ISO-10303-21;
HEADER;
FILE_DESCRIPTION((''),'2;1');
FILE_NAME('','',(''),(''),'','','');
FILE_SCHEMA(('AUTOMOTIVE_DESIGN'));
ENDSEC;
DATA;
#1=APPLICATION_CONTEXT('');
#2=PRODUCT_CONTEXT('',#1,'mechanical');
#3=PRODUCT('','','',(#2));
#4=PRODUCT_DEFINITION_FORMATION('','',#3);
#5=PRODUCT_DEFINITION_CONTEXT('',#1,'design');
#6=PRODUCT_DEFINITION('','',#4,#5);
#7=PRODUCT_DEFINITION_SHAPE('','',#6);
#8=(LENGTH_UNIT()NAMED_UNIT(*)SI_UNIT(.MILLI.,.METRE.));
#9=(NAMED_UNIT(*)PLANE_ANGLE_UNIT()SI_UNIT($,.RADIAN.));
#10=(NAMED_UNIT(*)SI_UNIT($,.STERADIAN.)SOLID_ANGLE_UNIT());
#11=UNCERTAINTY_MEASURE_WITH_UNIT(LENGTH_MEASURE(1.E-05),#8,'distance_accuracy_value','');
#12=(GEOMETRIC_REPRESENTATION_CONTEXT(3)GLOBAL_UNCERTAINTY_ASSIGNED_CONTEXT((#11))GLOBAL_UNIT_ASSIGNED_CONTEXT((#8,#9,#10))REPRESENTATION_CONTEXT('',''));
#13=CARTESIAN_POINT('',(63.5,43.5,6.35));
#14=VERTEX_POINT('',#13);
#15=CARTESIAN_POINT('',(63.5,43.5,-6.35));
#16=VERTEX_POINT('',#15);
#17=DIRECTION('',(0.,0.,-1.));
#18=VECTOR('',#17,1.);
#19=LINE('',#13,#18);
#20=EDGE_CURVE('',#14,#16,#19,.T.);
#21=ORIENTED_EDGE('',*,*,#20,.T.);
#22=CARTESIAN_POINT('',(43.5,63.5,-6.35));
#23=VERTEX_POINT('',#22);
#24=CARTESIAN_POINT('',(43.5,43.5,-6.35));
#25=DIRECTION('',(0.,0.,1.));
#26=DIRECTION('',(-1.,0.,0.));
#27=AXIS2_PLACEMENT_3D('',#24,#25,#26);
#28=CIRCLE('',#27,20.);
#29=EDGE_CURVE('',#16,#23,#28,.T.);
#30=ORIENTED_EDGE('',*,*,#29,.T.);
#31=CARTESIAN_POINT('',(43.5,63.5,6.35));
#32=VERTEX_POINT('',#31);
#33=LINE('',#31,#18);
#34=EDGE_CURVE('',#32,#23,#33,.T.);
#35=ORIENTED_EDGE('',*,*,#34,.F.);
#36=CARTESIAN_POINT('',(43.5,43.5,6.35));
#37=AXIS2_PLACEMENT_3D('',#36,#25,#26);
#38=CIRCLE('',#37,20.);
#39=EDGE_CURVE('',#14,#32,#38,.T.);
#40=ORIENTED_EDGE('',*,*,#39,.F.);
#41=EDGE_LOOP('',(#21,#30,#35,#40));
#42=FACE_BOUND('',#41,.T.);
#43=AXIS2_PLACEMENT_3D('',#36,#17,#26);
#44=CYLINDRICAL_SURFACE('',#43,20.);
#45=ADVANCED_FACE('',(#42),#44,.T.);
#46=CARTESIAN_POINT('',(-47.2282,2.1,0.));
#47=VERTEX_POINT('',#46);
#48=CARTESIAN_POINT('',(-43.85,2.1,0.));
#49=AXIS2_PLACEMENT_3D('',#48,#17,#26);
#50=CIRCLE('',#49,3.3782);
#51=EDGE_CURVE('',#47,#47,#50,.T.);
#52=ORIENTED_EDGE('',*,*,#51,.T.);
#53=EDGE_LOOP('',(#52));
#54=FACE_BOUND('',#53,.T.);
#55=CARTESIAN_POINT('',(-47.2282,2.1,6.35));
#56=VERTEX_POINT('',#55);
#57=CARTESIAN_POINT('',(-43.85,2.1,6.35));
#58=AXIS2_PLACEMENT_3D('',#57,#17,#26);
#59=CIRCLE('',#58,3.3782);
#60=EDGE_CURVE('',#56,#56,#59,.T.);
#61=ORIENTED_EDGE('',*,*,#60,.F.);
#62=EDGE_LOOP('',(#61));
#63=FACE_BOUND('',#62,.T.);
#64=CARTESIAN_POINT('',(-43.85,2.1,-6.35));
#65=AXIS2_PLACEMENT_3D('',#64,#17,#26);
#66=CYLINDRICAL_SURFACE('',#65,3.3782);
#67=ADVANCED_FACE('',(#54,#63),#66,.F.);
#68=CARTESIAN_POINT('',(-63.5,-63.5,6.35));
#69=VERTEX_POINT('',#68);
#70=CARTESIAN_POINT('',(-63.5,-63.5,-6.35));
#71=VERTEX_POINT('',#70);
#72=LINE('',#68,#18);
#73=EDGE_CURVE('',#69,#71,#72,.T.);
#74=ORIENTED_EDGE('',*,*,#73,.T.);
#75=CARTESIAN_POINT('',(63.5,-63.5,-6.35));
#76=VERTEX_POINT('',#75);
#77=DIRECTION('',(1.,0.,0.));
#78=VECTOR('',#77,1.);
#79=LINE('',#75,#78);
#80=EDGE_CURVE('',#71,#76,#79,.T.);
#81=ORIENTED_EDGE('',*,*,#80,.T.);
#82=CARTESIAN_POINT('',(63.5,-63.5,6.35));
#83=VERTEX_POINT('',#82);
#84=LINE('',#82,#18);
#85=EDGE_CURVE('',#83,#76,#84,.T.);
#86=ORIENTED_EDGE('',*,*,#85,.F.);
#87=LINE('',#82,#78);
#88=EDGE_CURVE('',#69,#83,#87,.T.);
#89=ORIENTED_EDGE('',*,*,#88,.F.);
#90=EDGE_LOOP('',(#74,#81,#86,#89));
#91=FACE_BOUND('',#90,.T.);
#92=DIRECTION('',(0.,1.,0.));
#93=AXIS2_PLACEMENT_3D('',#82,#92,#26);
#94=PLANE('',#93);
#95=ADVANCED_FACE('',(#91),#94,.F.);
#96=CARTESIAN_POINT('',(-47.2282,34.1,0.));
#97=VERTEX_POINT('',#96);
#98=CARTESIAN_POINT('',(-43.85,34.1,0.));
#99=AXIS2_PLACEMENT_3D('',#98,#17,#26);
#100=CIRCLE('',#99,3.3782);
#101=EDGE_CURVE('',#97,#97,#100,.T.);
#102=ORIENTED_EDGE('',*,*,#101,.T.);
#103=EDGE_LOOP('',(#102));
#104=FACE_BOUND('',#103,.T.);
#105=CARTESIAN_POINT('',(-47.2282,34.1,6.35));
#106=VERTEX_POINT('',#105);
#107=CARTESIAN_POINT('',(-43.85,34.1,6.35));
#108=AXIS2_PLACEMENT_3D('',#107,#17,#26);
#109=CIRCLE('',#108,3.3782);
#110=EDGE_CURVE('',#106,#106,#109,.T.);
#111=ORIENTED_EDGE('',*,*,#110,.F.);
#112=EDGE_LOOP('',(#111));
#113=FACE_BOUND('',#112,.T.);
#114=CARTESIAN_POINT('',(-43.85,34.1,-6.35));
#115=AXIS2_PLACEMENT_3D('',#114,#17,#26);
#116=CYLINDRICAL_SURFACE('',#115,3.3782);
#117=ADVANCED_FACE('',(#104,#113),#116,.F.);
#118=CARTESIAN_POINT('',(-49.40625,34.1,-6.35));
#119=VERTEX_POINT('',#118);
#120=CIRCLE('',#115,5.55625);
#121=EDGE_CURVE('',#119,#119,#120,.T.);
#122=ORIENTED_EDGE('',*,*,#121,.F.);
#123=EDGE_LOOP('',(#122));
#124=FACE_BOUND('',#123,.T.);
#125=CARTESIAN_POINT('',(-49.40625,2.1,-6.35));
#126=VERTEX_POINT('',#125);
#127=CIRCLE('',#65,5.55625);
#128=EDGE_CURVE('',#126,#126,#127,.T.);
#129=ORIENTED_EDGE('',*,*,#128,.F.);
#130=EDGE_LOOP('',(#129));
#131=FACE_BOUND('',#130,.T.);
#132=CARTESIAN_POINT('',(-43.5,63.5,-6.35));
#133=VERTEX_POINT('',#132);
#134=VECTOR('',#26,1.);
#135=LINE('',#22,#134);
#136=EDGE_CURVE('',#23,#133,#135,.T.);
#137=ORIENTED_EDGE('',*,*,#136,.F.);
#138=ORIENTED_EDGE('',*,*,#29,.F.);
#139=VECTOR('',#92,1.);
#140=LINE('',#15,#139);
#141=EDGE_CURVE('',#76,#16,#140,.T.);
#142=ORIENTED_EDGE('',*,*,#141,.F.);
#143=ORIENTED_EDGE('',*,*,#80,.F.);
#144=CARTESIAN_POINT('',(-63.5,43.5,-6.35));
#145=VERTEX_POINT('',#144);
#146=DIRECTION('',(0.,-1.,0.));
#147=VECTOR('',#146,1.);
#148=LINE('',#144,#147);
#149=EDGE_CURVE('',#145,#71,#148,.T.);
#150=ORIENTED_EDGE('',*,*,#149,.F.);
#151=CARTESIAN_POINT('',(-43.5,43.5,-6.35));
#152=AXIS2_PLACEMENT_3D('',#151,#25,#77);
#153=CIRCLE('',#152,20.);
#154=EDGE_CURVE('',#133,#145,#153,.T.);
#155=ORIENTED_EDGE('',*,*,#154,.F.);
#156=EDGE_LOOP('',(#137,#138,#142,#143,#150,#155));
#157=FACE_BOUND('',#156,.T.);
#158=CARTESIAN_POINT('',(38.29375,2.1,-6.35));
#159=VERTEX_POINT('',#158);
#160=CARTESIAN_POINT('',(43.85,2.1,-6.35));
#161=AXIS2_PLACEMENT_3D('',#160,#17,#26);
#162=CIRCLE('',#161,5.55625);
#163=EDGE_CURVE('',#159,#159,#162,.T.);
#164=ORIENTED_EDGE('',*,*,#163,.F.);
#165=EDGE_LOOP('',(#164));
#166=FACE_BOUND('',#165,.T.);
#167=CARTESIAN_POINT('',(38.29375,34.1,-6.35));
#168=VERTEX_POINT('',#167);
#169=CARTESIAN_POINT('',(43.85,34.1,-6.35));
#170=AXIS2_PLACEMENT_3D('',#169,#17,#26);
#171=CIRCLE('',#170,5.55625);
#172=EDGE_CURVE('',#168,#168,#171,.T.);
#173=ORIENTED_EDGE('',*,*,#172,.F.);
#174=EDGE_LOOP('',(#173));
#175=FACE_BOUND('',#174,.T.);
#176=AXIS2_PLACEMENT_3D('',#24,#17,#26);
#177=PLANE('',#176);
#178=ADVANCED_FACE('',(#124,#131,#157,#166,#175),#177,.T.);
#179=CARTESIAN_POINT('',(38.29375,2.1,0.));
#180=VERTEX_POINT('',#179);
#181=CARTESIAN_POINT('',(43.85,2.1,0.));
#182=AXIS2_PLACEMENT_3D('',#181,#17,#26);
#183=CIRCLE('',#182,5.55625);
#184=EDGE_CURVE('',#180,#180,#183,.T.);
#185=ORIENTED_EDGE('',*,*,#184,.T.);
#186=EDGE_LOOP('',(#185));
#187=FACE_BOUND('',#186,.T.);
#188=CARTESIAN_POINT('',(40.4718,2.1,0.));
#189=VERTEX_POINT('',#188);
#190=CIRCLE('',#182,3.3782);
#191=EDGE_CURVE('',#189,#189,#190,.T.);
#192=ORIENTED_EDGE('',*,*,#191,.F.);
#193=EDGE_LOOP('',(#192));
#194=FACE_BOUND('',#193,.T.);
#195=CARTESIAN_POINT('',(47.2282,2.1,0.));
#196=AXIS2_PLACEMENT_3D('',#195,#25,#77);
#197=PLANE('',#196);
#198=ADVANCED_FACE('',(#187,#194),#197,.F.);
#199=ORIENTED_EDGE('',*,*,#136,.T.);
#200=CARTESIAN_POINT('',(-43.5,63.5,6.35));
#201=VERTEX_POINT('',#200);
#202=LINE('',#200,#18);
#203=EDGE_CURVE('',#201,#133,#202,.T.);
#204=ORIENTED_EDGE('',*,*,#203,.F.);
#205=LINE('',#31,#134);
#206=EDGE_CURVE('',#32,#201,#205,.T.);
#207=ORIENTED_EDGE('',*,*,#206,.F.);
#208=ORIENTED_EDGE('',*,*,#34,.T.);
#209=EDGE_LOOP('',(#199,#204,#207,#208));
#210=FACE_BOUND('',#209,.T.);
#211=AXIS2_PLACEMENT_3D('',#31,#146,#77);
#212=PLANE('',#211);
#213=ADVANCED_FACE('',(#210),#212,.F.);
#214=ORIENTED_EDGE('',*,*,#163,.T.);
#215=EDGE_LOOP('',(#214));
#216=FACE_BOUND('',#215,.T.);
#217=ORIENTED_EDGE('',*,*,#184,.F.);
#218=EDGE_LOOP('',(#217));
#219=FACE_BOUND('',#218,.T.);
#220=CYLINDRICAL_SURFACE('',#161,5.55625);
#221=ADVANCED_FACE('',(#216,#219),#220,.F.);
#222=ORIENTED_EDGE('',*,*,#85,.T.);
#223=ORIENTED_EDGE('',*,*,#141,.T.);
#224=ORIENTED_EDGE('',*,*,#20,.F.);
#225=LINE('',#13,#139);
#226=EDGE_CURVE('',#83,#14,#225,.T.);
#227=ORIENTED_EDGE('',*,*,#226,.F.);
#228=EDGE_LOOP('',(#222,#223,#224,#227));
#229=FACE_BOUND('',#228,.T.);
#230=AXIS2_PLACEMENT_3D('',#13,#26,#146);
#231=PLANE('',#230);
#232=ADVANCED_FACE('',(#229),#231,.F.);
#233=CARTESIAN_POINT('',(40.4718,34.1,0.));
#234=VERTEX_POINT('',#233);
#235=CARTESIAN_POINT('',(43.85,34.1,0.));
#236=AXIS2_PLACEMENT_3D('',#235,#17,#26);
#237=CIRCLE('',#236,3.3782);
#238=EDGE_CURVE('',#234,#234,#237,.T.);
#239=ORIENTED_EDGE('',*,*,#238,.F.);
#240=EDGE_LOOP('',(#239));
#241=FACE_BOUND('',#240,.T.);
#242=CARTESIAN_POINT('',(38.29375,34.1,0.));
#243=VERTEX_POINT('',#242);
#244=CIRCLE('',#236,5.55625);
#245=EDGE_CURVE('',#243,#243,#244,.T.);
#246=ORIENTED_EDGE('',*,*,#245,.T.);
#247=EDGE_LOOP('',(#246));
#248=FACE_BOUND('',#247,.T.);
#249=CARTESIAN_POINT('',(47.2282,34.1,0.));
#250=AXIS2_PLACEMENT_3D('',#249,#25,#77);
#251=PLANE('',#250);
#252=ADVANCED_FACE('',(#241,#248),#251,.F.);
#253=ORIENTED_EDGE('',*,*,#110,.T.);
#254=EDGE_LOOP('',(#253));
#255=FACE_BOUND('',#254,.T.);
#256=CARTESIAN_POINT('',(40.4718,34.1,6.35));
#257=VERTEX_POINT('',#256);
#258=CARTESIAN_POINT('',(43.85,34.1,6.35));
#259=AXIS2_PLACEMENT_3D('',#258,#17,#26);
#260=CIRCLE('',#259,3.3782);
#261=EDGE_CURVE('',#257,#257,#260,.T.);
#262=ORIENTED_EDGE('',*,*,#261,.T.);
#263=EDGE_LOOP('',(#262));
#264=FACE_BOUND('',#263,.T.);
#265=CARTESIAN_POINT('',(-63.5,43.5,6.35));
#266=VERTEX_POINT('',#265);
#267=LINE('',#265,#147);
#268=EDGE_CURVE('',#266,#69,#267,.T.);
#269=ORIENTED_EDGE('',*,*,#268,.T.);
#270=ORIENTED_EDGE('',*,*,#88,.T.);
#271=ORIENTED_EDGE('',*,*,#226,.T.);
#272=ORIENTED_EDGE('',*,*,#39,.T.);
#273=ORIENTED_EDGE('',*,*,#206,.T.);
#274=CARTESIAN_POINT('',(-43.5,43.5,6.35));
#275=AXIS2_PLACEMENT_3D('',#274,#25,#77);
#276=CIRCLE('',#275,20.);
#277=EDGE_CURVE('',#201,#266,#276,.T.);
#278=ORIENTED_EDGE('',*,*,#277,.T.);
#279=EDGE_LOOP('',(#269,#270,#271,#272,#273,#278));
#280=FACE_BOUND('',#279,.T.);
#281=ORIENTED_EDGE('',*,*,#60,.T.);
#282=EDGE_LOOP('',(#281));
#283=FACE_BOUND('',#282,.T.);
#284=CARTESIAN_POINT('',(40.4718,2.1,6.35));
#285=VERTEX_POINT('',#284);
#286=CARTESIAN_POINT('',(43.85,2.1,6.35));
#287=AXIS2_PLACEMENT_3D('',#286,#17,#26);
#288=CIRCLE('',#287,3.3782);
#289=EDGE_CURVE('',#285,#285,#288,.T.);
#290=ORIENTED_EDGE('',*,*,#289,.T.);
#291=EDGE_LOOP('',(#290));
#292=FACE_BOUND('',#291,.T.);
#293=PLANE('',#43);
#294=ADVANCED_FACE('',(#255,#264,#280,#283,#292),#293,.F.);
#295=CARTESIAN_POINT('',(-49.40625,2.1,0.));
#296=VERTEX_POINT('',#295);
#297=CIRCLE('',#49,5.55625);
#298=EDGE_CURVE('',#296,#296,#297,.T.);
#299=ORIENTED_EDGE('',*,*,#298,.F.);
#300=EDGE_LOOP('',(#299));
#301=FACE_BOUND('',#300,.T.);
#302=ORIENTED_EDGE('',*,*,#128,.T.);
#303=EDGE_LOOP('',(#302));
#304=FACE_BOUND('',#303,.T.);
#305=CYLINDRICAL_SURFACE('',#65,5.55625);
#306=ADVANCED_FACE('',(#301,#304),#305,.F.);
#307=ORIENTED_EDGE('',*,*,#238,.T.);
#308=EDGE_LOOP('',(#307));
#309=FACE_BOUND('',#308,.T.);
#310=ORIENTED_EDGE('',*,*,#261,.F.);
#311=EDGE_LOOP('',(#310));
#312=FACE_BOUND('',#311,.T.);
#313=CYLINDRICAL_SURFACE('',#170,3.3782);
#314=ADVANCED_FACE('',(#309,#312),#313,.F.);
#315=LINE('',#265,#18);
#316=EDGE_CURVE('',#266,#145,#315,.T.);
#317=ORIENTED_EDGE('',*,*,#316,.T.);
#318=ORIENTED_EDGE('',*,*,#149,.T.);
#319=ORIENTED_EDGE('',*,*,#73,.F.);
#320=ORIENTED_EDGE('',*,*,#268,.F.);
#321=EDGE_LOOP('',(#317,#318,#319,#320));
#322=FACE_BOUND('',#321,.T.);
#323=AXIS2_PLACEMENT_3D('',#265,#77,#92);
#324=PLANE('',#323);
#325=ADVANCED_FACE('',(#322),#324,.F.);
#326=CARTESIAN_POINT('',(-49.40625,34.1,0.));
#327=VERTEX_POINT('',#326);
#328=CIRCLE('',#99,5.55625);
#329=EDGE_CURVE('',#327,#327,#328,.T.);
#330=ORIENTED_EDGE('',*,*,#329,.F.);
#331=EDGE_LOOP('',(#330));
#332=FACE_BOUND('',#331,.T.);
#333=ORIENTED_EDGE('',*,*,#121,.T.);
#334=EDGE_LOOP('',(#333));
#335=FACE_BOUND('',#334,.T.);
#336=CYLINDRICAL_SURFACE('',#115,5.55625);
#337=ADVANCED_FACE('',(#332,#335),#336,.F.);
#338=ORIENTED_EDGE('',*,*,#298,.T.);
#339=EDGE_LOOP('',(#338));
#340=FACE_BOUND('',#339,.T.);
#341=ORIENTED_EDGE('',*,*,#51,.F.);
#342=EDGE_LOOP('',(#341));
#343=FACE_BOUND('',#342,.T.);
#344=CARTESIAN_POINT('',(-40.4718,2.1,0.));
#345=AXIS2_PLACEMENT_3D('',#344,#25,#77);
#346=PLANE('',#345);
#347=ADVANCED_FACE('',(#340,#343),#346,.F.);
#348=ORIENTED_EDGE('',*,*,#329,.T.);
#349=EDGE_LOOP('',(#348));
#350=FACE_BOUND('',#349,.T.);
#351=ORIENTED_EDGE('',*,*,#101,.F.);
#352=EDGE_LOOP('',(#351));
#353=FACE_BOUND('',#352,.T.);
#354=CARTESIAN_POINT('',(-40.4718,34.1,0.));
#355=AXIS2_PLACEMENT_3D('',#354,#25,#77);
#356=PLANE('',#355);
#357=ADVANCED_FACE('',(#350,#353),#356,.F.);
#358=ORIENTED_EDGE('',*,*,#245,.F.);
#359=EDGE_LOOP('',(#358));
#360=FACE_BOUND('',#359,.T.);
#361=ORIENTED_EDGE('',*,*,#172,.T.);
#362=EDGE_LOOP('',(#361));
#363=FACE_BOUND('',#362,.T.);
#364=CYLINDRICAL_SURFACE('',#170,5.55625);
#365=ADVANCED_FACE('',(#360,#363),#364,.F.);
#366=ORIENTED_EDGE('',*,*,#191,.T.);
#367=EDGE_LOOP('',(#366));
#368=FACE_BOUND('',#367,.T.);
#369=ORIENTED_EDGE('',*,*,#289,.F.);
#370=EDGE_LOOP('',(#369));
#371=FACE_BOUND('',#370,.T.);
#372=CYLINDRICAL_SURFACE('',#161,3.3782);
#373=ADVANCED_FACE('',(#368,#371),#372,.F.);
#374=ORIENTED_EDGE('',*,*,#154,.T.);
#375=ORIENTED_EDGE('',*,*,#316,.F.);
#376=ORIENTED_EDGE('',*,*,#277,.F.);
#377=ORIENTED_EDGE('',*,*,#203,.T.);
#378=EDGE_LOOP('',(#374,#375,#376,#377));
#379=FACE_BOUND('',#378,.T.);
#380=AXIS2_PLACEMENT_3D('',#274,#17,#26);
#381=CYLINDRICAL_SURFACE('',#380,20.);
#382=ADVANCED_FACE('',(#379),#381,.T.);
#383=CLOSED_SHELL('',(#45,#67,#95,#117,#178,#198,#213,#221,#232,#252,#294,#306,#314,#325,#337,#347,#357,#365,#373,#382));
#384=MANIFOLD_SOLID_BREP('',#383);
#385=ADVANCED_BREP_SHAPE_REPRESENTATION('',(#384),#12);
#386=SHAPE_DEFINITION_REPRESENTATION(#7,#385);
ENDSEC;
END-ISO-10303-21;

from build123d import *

# Parameters (mm, degrees)
SALIENTE_EXTRUIR1_DEPTH                              = 6.35
REFRENTADO_PARA_TORNILLO_CON_CABEZA_HUEC_D           = 6.7564
REFRENTADO_PARA_TORNILLO_CON_CABEZA_HUEC_CBORE_D     = 11.1125
REFRENTADO_PARA_TORNILLO_CON_CABEZA_HUEC_CBORE_DEPTH = 6.35


with BuildPart() as part:
    # Croquis1 → Saliente-Extruir1 (new, symmetric)
    with BuildSketch(Plane.XY):
        with BuildLine():
            Line((43.5, 63.5), (-43.5, 63.5))
            ThreePointArc((-43.5, 63.5), (-57.642135624, 57.642135624), (-63.5, 43.5))
            Line((-63.5, 43.5), (-63.5, -63.5))
            Line((-63.5, -63.5), (63.5, -63.5))
            Line((63.5, -63.5), (63.5, 43.5))
            ThreePointArc((63.5, 43.5), (57.642135624, 57.642135624), (43.5, 63.5))
        make_face()
    extrude(amount=SALIENTE_EXTRUIR1_DEPTH, both=True)

    # Refrentado para tornillo con cabeza hueca de 1/41 (through all)
    with Locations(Plane(origin=(0, 0, -6.35), x_dir=(-1, 0, 0), z_dir=(0, 0, -1))):
        with Locations((43.85, 34.1), (43.85, 2.1), (-43.85, 2.1), (-43.85, 34.1)):
            CounterBoreHole(REFRENTADO_PARA_TORNILLO_CON_CABEZA_HUEC_D / 2, REFRENTADO_PARA_TORNILLO_CON_CABEZA_HUEC_CBORE_D / 2, REFRENTADO_PARA_TORNILLO_CON_CABEZA_HUEC_CBORE_DEPTH)


solid = part.part
